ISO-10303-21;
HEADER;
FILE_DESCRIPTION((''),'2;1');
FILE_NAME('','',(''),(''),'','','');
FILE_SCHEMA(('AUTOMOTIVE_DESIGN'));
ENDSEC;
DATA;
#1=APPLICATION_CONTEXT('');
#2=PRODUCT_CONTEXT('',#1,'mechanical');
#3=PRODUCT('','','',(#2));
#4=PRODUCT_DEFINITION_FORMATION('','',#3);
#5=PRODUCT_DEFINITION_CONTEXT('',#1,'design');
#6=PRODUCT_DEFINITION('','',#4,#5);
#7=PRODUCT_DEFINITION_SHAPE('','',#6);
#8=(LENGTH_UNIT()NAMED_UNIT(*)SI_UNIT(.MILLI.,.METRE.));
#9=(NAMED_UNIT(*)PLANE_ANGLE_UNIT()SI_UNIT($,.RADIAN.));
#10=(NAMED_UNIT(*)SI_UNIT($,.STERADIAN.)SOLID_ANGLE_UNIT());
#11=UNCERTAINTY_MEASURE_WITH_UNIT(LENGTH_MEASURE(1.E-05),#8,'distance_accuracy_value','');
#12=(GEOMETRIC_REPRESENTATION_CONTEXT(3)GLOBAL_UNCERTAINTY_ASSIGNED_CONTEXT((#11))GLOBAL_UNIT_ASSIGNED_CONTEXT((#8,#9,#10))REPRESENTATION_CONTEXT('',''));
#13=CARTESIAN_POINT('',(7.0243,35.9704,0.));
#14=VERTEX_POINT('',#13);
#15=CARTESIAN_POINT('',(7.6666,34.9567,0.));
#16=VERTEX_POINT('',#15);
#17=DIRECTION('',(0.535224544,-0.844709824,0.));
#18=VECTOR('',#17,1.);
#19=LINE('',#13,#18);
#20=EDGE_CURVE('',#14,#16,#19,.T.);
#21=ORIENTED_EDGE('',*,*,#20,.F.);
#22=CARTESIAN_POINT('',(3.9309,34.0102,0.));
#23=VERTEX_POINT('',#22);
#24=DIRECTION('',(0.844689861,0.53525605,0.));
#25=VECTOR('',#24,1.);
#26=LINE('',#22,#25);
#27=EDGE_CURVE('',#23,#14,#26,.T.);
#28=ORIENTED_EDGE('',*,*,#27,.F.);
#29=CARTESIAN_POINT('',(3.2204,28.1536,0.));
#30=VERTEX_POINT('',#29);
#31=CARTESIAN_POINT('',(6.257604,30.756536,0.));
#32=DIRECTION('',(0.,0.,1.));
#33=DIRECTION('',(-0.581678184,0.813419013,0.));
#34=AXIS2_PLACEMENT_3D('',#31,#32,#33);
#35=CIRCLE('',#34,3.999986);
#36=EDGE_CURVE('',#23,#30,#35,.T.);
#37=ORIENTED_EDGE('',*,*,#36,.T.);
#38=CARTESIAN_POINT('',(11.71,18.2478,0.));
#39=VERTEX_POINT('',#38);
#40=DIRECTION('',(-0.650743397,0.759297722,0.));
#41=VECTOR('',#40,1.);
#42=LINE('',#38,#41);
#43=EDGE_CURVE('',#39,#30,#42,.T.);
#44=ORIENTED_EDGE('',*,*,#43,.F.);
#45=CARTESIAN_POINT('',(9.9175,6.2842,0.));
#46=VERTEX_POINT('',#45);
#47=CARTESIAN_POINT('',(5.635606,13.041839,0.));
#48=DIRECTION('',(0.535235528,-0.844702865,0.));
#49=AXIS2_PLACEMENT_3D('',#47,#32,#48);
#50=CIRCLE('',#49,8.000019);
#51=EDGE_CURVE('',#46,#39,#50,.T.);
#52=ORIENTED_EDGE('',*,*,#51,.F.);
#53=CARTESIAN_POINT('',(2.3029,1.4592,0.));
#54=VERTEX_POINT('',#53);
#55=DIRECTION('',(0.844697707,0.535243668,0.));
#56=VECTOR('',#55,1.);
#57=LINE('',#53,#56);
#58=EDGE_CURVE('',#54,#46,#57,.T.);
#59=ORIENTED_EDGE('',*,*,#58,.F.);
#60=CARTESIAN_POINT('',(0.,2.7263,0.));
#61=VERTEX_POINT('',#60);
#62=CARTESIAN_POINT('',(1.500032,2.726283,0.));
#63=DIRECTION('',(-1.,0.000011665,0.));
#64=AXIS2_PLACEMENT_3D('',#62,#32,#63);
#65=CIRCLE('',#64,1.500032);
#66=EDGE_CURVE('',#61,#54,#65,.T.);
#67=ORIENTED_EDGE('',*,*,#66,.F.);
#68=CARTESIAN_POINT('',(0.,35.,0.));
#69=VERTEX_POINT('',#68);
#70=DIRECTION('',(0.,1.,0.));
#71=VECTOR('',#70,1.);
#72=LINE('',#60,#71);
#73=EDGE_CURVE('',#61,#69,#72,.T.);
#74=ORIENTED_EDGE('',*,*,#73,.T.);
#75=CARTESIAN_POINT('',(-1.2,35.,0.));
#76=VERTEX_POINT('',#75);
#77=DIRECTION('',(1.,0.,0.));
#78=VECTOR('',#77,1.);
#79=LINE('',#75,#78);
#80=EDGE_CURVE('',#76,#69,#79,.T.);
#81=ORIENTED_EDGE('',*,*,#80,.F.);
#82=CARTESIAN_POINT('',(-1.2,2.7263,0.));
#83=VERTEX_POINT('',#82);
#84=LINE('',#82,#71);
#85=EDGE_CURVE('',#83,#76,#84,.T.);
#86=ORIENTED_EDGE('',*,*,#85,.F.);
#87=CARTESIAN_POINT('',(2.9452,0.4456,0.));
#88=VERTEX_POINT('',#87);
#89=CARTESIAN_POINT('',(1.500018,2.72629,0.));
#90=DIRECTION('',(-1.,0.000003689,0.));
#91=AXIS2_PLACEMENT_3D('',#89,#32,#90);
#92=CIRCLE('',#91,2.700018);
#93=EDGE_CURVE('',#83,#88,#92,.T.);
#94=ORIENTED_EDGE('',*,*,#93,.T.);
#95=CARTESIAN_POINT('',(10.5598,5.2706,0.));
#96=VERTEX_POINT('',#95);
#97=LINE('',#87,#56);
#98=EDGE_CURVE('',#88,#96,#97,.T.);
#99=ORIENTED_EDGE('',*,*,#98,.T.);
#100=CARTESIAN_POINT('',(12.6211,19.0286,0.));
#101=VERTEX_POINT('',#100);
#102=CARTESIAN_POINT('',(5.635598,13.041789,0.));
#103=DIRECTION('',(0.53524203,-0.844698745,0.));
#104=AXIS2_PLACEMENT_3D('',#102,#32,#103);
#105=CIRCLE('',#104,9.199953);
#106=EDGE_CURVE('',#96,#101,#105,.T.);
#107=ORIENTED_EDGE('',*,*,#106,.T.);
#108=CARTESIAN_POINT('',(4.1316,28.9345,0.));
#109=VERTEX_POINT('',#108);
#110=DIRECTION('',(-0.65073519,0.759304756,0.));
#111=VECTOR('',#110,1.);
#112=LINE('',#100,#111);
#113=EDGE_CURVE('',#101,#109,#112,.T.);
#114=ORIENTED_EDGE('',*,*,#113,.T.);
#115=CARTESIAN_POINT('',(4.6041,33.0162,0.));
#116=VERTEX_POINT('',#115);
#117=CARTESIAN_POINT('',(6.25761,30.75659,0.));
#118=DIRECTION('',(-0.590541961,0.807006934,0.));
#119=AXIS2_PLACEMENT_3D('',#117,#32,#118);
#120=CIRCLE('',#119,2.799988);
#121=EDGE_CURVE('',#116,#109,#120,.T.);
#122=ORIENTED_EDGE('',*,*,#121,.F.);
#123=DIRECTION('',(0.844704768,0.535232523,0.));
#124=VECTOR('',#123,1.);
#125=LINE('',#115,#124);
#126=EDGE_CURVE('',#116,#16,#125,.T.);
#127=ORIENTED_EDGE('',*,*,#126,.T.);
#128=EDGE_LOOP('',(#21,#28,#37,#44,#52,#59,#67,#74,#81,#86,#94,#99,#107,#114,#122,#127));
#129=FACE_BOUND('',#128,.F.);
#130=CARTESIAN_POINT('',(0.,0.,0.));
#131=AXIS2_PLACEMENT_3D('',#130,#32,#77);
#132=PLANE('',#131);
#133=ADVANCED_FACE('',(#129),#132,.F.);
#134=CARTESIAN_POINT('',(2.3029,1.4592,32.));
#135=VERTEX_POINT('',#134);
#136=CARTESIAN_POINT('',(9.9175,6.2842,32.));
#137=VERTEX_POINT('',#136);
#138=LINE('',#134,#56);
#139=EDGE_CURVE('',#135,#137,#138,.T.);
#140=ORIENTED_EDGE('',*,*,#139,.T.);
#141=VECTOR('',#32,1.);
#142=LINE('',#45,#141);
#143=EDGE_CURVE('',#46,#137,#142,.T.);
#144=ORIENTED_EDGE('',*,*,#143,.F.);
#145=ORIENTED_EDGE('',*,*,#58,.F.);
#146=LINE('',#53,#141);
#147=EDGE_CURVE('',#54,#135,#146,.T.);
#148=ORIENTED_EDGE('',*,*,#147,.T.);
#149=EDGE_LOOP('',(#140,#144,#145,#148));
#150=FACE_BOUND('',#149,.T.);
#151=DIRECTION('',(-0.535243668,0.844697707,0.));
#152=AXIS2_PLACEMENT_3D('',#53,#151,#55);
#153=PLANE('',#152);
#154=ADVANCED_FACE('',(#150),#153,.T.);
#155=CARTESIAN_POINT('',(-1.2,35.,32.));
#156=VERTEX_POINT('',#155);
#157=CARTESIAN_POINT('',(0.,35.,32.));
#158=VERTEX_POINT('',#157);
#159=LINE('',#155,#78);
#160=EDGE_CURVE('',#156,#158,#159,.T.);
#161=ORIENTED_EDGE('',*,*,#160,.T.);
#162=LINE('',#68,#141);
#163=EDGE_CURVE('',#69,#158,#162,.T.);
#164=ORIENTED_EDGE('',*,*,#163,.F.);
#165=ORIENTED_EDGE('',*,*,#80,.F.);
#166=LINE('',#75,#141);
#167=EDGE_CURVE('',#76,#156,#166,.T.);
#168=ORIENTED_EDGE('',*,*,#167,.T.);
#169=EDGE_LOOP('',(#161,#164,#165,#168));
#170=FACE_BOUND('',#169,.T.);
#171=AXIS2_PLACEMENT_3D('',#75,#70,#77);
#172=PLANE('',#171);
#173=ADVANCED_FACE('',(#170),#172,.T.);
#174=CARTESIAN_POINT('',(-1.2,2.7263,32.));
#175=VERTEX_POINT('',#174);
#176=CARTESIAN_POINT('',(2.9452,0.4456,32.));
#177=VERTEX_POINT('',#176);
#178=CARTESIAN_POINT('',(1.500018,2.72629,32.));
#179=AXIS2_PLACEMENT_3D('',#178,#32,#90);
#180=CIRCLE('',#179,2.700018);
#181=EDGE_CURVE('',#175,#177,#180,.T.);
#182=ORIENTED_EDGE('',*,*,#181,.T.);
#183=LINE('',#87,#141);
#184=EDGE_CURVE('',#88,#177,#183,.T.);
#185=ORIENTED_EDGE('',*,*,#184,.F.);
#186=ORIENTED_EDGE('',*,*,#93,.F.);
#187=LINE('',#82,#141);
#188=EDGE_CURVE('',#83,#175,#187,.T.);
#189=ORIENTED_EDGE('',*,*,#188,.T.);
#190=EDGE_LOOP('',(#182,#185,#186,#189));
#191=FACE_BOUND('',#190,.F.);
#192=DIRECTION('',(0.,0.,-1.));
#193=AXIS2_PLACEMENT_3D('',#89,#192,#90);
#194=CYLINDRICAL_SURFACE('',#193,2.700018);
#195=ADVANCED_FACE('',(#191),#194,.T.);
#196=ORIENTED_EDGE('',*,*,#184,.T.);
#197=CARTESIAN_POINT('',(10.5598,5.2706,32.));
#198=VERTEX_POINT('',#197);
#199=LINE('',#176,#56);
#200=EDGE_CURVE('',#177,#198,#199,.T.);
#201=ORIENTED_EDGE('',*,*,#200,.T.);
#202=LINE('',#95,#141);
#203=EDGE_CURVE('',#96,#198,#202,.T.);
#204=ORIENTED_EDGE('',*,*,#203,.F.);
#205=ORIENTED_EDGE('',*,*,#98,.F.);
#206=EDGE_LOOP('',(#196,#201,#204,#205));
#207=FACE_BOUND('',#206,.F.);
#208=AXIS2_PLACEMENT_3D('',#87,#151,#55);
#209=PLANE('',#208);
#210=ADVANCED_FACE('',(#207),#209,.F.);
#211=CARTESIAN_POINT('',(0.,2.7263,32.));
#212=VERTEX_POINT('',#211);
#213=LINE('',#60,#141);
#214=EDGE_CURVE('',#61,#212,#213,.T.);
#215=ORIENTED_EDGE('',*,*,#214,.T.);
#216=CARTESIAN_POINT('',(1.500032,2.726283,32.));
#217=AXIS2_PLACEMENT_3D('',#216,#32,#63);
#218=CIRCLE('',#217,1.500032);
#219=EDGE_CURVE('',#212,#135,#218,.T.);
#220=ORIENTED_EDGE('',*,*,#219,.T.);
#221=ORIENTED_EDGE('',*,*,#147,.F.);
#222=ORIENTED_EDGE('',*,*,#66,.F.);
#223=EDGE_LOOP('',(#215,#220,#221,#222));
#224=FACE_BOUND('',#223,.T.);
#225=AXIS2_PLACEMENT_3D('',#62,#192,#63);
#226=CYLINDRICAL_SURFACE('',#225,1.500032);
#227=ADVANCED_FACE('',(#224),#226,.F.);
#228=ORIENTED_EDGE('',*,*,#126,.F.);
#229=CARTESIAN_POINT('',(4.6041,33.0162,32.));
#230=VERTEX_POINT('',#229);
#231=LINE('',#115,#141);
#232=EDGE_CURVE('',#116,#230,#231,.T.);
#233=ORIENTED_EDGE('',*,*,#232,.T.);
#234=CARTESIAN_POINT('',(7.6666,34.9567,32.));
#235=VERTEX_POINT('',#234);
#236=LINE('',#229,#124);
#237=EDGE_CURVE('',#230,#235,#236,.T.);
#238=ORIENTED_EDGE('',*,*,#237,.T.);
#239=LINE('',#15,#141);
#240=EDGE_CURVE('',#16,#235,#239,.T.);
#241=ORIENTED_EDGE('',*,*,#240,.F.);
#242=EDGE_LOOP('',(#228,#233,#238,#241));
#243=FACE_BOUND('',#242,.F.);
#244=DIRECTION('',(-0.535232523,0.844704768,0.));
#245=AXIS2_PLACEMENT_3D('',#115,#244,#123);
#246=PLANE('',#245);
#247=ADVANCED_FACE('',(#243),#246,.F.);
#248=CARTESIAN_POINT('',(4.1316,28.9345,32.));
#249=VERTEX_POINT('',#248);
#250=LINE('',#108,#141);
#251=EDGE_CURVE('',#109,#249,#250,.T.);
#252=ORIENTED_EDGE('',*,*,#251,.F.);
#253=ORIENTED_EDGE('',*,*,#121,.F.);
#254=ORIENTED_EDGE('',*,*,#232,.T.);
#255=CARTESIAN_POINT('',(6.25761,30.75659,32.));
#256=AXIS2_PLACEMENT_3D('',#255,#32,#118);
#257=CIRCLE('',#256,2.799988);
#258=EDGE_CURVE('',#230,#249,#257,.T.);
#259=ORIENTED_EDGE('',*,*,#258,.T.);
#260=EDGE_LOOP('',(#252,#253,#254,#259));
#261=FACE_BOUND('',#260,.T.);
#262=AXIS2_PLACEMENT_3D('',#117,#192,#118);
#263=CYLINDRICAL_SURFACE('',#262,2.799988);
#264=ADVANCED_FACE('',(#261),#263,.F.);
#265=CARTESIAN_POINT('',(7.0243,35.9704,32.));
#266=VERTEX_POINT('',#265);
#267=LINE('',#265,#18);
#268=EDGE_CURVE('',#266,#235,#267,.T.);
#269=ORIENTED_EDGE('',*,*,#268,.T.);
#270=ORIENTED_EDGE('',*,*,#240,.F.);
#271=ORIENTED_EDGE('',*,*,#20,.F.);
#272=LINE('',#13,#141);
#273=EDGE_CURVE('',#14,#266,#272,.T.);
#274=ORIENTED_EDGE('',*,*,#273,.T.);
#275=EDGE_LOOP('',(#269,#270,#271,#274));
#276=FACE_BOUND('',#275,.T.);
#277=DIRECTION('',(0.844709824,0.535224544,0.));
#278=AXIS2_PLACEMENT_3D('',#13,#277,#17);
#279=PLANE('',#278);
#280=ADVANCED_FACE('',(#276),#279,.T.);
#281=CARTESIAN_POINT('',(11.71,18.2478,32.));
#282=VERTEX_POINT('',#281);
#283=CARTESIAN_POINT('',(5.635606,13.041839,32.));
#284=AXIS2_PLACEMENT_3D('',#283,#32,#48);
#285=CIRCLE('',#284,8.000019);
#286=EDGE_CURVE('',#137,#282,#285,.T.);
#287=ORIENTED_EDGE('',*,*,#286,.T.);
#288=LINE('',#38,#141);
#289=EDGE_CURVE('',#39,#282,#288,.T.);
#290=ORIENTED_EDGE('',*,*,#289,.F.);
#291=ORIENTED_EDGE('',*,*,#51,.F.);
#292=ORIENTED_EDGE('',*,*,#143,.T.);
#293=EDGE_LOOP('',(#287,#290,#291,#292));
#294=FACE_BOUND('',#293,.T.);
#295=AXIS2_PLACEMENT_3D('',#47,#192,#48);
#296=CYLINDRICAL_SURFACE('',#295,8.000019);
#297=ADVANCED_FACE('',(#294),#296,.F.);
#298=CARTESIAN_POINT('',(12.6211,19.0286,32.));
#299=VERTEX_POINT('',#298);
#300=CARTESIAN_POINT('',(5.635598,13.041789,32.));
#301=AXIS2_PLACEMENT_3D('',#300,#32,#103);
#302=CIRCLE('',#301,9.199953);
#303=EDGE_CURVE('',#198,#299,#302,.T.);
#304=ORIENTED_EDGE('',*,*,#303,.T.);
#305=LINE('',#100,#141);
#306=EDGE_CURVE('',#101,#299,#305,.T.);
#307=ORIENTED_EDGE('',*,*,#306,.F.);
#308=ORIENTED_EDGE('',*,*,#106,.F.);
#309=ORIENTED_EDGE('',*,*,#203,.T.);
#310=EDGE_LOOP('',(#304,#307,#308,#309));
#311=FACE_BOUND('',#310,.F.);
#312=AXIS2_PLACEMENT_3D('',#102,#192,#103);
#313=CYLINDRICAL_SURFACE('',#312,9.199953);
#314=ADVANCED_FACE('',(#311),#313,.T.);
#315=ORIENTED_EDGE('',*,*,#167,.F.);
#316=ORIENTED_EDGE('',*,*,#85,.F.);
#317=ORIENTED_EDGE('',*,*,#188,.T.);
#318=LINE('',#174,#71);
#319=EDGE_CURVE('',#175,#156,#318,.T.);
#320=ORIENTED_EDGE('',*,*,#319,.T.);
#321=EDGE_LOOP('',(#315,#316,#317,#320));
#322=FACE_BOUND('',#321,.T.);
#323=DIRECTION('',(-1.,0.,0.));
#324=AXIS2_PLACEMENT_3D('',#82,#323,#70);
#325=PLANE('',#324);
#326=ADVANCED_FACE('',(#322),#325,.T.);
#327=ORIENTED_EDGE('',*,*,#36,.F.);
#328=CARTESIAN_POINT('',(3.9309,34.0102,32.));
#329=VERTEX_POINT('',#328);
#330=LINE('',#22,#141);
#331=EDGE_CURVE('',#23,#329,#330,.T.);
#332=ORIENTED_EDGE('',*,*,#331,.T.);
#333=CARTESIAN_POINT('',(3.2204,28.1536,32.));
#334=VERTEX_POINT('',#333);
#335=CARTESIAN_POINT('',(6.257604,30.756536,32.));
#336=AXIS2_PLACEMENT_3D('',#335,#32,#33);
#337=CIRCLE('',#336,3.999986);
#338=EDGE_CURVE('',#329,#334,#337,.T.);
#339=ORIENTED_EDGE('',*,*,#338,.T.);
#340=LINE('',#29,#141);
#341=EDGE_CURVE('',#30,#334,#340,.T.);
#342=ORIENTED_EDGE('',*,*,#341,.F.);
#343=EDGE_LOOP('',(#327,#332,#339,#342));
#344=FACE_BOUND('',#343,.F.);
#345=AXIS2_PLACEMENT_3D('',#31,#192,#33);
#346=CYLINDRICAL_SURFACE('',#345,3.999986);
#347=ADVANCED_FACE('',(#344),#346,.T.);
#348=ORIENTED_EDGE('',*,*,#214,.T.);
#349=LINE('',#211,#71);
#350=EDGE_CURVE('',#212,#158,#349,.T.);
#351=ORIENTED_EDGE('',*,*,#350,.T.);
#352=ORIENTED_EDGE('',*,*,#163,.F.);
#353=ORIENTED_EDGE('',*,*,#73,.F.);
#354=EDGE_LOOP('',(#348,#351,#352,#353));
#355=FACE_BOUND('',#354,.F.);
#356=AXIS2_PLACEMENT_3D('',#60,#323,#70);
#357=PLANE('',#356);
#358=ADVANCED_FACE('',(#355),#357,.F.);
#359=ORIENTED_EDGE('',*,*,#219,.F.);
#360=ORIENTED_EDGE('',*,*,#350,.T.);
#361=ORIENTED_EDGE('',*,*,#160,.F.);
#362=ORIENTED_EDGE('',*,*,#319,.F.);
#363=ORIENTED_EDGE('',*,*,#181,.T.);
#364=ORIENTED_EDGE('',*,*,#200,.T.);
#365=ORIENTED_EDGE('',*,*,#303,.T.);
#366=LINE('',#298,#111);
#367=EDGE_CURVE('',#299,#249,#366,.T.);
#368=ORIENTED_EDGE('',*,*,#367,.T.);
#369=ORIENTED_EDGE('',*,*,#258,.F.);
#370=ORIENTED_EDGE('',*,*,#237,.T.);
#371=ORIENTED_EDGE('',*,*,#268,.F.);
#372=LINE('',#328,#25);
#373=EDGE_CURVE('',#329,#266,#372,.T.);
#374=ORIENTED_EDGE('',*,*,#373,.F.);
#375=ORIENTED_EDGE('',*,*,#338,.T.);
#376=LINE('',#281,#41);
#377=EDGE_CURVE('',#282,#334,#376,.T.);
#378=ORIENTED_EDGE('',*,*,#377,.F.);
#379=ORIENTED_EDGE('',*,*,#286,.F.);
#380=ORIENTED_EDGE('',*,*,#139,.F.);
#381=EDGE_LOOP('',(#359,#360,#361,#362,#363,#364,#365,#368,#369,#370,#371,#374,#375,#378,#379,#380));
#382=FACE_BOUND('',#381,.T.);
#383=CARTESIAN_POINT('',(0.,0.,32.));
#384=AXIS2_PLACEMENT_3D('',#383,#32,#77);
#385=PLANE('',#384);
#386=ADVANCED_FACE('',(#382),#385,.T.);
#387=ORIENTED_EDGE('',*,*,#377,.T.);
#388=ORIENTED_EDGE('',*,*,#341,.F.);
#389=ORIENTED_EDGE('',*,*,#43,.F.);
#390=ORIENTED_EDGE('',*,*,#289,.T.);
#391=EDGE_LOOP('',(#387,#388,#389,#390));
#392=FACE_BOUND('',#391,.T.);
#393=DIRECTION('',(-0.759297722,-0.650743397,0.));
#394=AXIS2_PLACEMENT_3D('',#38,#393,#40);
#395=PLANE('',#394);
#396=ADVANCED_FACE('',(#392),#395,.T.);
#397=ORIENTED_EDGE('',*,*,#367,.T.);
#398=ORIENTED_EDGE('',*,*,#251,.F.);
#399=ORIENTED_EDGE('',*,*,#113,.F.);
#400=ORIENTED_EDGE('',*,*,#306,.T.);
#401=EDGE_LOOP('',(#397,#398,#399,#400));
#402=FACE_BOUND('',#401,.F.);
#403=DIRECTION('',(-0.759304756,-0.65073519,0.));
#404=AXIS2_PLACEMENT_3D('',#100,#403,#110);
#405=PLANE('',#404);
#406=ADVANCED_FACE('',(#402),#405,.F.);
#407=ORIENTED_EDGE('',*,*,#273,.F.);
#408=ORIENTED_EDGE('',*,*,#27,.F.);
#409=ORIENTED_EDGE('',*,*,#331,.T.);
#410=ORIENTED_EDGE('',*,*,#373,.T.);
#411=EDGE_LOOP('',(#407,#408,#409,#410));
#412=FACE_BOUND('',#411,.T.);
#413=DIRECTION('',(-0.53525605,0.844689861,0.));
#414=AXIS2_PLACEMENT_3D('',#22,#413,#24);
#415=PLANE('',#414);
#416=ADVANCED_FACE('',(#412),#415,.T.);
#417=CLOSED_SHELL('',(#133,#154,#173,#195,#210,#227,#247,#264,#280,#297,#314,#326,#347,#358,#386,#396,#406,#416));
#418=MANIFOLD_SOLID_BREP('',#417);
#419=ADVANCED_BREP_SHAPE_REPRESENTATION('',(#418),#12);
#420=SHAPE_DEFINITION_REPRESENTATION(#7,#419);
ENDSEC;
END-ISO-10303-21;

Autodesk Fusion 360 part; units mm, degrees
sketch "Sketch1" plane through (0, 0, 0) normal (0, 0, 1) x (1, 0, 0)
  line L0 (0, 2.7263) -> (0, 35)
  line L1 (2.3029, 1.4592) -> (9.9175, 6.2842)
  arc A0 (9.9175, 6.2842) -> (11.71, 18.2478) centre (5.6356, 13.0418) ccw
  line L2 (11.71, 18.2478) -> (3.2204, 28.1536)
  arc A1 (3.9309, 34.0102) -> (3.2204, 28.1536) centre (6.2576, 30.7565) ccw
  line L3 (3.9309, 34.0102) -> (7.0243, 35.9704)
  line L4 (-1.2, 35) -> (0, 35)
  line L5 (7.0243, 35.9704) -> (7.6666, 34.9567)
  arc A2 (0, 2.7263) -> (2.3029, 1.4592) centre (1.5, 2.7263) ccw
  line L6 (4.6041, 33.0162) -> (7.6666, 34.9567)
  arc A3 (4.6041, 33.0162) -> (4.1316, 28.9345) centre (6.2576, 30.7565) ccw
  line L7 (12.6211, 19.0286) -> (4.1316, 28.9345)
  arc A4 (10.5598, 5.2706) -> (12.6211, 19.0286) centre (5.6356, 13.0418) ccw
  line L8 (2.9452, 0.4456) -> (10.5598, 5.2706)
  arc A5 (-1.2, 2.7263) -> (2.9452, 0.4456) centre (1.5, 2.7263) ccw
  line L9 (-1.2, 2.7263) -> (-1.2, 35)
  dimension "d1" = 35
  dimension "d2" = 8
  dimension "d3" = 4
  dimension "d4" = -1.2
  dimension "d7" = 1.5
extrude "Extrude1" add sketch "Sketch1" along normal blind 32
